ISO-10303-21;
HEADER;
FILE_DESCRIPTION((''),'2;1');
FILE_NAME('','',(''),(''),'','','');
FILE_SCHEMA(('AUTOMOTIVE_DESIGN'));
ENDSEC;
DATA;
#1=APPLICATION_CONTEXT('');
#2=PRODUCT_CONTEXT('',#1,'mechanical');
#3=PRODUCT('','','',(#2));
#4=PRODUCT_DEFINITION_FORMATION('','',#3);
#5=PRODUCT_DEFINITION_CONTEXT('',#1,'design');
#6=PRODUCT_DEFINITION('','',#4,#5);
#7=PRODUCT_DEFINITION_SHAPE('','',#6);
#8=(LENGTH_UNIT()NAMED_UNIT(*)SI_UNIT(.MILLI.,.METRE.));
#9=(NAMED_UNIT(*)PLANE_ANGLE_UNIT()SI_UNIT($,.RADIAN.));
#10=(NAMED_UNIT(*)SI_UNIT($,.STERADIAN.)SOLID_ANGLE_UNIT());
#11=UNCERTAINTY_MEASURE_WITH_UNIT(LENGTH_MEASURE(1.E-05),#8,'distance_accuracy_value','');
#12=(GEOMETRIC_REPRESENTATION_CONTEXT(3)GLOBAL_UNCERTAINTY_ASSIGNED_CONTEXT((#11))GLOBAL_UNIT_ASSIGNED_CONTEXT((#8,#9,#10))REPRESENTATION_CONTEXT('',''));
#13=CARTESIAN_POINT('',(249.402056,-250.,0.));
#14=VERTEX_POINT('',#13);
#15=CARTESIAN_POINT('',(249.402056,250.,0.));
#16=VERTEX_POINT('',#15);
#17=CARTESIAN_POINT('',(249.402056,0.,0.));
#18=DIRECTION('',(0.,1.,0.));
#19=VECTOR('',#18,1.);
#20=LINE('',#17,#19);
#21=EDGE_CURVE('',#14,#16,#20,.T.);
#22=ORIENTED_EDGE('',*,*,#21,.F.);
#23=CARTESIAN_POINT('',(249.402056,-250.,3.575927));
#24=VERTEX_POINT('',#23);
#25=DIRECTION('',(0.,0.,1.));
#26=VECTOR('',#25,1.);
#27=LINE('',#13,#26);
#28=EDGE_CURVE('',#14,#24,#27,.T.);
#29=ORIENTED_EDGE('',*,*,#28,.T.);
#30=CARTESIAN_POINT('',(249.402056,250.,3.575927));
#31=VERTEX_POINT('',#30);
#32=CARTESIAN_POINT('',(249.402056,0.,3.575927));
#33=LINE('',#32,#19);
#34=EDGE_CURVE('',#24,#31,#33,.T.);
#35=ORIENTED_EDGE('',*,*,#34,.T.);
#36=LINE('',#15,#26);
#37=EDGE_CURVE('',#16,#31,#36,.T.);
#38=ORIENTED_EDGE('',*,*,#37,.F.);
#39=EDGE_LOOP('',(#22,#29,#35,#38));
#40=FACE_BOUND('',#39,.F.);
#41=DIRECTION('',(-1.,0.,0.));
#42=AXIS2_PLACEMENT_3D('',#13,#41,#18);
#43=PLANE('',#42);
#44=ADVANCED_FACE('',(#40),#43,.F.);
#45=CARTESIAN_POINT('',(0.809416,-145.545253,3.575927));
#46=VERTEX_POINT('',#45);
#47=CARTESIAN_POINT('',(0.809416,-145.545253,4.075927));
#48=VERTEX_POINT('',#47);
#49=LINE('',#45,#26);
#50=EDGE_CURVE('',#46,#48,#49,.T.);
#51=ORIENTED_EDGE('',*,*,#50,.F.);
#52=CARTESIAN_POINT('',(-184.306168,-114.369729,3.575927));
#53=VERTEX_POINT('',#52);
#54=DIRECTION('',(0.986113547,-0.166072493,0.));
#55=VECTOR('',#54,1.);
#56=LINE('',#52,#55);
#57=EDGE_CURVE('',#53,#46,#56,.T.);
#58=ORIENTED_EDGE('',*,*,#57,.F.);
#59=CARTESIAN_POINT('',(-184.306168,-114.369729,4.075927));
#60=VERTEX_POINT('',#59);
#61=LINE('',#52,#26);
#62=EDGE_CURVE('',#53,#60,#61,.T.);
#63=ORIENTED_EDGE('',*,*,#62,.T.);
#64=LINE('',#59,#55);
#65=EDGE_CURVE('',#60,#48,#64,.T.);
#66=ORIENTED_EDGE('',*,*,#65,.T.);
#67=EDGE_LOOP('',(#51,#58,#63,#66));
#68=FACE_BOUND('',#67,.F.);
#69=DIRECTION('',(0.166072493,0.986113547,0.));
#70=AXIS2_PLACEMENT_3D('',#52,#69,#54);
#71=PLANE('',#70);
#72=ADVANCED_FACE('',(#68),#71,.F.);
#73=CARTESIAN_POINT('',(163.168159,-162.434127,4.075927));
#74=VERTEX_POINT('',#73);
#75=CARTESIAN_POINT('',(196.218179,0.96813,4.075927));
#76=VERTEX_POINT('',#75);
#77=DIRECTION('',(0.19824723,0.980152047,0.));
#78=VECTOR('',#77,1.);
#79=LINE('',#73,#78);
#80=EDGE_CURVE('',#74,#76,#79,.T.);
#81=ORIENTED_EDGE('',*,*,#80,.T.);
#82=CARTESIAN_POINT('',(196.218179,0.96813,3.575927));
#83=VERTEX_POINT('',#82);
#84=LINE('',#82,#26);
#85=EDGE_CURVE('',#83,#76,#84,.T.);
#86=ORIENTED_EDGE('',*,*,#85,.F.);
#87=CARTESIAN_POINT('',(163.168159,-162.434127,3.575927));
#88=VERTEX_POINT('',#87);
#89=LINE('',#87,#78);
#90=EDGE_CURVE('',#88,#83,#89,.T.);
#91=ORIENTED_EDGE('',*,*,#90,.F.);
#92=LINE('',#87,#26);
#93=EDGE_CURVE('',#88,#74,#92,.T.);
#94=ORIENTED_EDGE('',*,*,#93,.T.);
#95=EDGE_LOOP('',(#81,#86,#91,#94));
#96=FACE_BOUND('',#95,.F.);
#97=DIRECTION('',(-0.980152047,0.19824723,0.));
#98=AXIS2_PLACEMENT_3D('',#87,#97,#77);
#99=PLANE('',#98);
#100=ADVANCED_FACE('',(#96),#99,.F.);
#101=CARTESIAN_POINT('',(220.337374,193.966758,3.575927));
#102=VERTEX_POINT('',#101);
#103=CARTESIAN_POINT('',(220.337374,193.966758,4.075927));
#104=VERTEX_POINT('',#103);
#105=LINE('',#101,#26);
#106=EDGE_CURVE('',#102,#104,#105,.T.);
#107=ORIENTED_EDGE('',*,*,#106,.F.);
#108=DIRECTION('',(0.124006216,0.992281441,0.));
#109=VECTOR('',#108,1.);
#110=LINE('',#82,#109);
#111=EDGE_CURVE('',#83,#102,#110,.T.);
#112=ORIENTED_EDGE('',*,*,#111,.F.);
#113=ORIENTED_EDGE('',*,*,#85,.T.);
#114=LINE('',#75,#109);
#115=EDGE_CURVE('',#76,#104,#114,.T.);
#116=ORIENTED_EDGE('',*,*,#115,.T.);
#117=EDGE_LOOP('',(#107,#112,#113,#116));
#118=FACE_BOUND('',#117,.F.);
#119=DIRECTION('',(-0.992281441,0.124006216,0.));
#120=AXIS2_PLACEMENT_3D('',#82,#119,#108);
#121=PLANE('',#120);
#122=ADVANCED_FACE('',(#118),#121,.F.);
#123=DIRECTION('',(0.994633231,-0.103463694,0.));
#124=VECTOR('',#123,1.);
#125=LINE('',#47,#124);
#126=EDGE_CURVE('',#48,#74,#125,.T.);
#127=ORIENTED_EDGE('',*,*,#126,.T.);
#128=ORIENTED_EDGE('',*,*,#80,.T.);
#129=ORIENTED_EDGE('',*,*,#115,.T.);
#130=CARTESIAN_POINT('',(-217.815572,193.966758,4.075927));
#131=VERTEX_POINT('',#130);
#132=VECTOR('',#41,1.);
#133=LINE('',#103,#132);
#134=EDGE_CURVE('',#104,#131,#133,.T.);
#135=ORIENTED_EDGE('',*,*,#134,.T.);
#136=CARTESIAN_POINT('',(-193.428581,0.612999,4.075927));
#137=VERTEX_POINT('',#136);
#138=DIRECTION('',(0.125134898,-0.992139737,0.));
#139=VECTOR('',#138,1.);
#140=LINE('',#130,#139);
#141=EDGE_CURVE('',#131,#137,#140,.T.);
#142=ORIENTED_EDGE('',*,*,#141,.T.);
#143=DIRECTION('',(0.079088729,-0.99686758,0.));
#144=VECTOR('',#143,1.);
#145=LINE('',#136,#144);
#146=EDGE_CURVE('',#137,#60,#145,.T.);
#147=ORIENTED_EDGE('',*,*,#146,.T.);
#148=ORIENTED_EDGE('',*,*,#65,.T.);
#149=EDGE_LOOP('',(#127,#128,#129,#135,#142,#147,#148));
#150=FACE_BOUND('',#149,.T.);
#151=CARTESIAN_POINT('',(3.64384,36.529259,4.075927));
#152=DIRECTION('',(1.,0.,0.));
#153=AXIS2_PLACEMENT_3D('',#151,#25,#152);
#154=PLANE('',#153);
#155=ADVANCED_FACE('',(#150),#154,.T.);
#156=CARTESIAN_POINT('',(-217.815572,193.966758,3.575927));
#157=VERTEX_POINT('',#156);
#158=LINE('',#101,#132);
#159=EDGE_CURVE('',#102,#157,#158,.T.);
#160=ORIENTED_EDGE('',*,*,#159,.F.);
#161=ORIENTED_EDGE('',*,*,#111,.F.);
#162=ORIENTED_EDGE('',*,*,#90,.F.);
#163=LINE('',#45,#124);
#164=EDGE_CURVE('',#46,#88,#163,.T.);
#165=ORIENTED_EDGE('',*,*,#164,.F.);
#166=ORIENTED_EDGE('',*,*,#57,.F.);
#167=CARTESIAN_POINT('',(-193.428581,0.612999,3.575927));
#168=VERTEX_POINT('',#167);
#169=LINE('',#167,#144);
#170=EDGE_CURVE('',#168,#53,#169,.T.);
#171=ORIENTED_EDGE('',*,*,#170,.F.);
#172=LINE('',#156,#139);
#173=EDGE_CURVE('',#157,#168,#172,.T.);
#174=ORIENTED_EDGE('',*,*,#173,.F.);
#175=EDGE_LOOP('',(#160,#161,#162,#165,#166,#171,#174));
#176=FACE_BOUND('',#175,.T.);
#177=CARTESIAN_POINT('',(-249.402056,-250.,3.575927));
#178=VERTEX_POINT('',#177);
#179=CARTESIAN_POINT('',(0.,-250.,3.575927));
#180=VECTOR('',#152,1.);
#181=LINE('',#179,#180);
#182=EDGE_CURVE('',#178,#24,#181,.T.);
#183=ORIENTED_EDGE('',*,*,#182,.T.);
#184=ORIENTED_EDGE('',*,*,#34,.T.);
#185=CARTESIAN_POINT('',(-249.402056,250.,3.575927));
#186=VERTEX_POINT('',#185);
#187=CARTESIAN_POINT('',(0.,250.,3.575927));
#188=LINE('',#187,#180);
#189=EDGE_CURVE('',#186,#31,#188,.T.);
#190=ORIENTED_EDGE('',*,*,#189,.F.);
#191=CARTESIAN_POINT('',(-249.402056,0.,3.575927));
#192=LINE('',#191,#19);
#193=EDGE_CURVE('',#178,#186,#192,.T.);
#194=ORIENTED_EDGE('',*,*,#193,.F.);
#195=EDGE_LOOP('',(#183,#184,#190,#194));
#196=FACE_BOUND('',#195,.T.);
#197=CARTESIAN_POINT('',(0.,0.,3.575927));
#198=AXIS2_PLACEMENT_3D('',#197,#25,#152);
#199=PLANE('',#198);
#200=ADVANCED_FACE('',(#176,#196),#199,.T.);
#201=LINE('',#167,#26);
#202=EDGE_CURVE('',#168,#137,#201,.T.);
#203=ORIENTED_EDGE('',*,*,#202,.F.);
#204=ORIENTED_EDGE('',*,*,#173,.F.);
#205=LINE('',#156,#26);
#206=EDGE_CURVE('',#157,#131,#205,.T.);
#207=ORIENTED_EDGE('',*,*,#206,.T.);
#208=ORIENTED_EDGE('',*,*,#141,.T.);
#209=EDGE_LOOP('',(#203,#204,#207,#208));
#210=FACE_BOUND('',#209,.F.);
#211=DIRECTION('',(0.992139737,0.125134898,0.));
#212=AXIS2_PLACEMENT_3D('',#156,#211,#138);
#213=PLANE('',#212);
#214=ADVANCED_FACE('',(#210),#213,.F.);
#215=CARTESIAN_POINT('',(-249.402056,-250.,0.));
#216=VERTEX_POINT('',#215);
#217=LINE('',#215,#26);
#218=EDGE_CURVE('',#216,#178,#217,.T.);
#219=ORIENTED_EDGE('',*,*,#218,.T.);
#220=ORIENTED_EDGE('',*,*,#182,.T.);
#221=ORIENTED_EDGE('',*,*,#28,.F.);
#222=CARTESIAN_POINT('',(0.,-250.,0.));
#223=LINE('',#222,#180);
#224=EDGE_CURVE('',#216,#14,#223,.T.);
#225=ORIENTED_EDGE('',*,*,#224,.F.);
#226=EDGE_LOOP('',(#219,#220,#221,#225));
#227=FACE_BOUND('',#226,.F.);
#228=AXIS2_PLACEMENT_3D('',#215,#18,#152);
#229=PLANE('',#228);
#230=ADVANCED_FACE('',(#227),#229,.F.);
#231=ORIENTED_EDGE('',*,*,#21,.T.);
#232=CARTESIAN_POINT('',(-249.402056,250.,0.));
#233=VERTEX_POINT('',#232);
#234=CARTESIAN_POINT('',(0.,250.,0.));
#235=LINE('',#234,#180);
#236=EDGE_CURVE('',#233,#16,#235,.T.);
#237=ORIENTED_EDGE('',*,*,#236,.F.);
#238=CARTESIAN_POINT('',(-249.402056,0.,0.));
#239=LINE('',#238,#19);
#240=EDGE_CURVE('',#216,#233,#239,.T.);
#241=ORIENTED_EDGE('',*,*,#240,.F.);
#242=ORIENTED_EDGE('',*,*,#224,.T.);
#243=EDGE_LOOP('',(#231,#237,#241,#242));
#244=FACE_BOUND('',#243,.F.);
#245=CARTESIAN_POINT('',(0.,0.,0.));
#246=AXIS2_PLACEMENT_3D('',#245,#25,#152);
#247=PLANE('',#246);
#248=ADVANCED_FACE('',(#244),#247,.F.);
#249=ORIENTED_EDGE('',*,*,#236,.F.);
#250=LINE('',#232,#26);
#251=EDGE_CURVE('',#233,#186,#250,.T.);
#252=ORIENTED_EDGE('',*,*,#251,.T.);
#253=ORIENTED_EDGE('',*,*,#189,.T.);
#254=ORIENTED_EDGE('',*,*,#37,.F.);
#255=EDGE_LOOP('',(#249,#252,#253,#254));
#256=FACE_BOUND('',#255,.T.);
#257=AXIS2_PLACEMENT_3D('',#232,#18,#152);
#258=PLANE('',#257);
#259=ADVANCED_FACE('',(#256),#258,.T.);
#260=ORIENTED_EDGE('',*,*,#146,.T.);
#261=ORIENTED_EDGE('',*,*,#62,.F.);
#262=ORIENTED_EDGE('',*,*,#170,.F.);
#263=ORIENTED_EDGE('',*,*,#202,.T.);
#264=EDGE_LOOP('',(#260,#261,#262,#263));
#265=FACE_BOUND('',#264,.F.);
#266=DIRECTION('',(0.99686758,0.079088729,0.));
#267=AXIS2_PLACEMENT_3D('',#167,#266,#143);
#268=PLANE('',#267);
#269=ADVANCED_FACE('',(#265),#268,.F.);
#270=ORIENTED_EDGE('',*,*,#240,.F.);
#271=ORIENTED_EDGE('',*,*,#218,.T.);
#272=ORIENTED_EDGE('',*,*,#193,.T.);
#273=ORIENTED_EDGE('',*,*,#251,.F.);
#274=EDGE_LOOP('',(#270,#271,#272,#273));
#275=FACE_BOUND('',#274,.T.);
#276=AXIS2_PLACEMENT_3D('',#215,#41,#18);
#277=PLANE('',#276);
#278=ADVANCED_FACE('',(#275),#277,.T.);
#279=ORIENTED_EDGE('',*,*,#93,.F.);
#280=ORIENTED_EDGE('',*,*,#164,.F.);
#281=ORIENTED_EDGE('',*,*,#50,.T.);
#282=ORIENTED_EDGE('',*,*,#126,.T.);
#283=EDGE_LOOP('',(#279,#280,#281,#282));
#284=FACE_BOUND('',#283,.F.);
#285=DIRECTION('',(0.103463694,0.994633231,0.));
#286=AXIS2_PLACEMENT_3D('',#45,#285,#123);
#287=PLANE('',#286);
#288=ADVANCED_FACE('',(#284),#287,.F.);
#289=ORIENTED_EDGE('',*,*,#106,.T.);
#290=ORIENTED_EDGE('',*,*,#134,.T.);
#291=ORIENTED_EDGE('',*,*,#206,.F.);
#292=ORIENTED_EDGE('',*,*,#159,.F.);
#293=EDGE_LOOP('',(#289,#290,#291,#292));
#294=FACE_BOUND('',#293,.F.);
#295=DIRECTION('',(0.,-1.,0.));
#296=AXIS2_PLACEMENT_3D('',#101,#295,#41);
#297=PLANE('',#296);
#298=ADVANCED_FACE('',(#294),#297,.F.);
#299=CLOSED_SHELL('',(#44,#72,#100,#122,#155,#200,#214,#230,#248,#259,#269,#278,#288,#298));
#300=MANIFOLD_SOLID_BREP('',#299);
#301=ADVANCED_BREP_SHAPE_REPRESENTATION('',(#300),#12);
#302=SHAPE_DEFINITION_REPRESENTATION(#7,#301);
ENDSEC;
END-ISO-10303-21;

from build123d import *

# Parameters (mm, degrees)
F0_W      = 498.804112
F0_H      = 500
F5_DEPTH  = 3.575927
F10_DEPTH = 0.5


with BuildPart() as f5:
    # F0 (on Top) → F5 (new body)
    with BuildSketch(Plane.XY):
        Rectangle(F0_W, F0_H)
    extrude(amount=F5_DEPTH)

    # F4 (on face) → F10 (join)
    with BuildSketch(Plane.XY.offset(3.575927)):
        Polygon((220.337374, 193.966758), (0, 193.966758), (-217.815572, 193.966758), (-193.428581, 0.612999), (-184.306168, -114.369729), (0.809416, -145.545253), (163.168159, -162.434127), (196.218179, 0.96813), align=None)
    extrude(amount=F10_DEPTH)


solid = f5.part
